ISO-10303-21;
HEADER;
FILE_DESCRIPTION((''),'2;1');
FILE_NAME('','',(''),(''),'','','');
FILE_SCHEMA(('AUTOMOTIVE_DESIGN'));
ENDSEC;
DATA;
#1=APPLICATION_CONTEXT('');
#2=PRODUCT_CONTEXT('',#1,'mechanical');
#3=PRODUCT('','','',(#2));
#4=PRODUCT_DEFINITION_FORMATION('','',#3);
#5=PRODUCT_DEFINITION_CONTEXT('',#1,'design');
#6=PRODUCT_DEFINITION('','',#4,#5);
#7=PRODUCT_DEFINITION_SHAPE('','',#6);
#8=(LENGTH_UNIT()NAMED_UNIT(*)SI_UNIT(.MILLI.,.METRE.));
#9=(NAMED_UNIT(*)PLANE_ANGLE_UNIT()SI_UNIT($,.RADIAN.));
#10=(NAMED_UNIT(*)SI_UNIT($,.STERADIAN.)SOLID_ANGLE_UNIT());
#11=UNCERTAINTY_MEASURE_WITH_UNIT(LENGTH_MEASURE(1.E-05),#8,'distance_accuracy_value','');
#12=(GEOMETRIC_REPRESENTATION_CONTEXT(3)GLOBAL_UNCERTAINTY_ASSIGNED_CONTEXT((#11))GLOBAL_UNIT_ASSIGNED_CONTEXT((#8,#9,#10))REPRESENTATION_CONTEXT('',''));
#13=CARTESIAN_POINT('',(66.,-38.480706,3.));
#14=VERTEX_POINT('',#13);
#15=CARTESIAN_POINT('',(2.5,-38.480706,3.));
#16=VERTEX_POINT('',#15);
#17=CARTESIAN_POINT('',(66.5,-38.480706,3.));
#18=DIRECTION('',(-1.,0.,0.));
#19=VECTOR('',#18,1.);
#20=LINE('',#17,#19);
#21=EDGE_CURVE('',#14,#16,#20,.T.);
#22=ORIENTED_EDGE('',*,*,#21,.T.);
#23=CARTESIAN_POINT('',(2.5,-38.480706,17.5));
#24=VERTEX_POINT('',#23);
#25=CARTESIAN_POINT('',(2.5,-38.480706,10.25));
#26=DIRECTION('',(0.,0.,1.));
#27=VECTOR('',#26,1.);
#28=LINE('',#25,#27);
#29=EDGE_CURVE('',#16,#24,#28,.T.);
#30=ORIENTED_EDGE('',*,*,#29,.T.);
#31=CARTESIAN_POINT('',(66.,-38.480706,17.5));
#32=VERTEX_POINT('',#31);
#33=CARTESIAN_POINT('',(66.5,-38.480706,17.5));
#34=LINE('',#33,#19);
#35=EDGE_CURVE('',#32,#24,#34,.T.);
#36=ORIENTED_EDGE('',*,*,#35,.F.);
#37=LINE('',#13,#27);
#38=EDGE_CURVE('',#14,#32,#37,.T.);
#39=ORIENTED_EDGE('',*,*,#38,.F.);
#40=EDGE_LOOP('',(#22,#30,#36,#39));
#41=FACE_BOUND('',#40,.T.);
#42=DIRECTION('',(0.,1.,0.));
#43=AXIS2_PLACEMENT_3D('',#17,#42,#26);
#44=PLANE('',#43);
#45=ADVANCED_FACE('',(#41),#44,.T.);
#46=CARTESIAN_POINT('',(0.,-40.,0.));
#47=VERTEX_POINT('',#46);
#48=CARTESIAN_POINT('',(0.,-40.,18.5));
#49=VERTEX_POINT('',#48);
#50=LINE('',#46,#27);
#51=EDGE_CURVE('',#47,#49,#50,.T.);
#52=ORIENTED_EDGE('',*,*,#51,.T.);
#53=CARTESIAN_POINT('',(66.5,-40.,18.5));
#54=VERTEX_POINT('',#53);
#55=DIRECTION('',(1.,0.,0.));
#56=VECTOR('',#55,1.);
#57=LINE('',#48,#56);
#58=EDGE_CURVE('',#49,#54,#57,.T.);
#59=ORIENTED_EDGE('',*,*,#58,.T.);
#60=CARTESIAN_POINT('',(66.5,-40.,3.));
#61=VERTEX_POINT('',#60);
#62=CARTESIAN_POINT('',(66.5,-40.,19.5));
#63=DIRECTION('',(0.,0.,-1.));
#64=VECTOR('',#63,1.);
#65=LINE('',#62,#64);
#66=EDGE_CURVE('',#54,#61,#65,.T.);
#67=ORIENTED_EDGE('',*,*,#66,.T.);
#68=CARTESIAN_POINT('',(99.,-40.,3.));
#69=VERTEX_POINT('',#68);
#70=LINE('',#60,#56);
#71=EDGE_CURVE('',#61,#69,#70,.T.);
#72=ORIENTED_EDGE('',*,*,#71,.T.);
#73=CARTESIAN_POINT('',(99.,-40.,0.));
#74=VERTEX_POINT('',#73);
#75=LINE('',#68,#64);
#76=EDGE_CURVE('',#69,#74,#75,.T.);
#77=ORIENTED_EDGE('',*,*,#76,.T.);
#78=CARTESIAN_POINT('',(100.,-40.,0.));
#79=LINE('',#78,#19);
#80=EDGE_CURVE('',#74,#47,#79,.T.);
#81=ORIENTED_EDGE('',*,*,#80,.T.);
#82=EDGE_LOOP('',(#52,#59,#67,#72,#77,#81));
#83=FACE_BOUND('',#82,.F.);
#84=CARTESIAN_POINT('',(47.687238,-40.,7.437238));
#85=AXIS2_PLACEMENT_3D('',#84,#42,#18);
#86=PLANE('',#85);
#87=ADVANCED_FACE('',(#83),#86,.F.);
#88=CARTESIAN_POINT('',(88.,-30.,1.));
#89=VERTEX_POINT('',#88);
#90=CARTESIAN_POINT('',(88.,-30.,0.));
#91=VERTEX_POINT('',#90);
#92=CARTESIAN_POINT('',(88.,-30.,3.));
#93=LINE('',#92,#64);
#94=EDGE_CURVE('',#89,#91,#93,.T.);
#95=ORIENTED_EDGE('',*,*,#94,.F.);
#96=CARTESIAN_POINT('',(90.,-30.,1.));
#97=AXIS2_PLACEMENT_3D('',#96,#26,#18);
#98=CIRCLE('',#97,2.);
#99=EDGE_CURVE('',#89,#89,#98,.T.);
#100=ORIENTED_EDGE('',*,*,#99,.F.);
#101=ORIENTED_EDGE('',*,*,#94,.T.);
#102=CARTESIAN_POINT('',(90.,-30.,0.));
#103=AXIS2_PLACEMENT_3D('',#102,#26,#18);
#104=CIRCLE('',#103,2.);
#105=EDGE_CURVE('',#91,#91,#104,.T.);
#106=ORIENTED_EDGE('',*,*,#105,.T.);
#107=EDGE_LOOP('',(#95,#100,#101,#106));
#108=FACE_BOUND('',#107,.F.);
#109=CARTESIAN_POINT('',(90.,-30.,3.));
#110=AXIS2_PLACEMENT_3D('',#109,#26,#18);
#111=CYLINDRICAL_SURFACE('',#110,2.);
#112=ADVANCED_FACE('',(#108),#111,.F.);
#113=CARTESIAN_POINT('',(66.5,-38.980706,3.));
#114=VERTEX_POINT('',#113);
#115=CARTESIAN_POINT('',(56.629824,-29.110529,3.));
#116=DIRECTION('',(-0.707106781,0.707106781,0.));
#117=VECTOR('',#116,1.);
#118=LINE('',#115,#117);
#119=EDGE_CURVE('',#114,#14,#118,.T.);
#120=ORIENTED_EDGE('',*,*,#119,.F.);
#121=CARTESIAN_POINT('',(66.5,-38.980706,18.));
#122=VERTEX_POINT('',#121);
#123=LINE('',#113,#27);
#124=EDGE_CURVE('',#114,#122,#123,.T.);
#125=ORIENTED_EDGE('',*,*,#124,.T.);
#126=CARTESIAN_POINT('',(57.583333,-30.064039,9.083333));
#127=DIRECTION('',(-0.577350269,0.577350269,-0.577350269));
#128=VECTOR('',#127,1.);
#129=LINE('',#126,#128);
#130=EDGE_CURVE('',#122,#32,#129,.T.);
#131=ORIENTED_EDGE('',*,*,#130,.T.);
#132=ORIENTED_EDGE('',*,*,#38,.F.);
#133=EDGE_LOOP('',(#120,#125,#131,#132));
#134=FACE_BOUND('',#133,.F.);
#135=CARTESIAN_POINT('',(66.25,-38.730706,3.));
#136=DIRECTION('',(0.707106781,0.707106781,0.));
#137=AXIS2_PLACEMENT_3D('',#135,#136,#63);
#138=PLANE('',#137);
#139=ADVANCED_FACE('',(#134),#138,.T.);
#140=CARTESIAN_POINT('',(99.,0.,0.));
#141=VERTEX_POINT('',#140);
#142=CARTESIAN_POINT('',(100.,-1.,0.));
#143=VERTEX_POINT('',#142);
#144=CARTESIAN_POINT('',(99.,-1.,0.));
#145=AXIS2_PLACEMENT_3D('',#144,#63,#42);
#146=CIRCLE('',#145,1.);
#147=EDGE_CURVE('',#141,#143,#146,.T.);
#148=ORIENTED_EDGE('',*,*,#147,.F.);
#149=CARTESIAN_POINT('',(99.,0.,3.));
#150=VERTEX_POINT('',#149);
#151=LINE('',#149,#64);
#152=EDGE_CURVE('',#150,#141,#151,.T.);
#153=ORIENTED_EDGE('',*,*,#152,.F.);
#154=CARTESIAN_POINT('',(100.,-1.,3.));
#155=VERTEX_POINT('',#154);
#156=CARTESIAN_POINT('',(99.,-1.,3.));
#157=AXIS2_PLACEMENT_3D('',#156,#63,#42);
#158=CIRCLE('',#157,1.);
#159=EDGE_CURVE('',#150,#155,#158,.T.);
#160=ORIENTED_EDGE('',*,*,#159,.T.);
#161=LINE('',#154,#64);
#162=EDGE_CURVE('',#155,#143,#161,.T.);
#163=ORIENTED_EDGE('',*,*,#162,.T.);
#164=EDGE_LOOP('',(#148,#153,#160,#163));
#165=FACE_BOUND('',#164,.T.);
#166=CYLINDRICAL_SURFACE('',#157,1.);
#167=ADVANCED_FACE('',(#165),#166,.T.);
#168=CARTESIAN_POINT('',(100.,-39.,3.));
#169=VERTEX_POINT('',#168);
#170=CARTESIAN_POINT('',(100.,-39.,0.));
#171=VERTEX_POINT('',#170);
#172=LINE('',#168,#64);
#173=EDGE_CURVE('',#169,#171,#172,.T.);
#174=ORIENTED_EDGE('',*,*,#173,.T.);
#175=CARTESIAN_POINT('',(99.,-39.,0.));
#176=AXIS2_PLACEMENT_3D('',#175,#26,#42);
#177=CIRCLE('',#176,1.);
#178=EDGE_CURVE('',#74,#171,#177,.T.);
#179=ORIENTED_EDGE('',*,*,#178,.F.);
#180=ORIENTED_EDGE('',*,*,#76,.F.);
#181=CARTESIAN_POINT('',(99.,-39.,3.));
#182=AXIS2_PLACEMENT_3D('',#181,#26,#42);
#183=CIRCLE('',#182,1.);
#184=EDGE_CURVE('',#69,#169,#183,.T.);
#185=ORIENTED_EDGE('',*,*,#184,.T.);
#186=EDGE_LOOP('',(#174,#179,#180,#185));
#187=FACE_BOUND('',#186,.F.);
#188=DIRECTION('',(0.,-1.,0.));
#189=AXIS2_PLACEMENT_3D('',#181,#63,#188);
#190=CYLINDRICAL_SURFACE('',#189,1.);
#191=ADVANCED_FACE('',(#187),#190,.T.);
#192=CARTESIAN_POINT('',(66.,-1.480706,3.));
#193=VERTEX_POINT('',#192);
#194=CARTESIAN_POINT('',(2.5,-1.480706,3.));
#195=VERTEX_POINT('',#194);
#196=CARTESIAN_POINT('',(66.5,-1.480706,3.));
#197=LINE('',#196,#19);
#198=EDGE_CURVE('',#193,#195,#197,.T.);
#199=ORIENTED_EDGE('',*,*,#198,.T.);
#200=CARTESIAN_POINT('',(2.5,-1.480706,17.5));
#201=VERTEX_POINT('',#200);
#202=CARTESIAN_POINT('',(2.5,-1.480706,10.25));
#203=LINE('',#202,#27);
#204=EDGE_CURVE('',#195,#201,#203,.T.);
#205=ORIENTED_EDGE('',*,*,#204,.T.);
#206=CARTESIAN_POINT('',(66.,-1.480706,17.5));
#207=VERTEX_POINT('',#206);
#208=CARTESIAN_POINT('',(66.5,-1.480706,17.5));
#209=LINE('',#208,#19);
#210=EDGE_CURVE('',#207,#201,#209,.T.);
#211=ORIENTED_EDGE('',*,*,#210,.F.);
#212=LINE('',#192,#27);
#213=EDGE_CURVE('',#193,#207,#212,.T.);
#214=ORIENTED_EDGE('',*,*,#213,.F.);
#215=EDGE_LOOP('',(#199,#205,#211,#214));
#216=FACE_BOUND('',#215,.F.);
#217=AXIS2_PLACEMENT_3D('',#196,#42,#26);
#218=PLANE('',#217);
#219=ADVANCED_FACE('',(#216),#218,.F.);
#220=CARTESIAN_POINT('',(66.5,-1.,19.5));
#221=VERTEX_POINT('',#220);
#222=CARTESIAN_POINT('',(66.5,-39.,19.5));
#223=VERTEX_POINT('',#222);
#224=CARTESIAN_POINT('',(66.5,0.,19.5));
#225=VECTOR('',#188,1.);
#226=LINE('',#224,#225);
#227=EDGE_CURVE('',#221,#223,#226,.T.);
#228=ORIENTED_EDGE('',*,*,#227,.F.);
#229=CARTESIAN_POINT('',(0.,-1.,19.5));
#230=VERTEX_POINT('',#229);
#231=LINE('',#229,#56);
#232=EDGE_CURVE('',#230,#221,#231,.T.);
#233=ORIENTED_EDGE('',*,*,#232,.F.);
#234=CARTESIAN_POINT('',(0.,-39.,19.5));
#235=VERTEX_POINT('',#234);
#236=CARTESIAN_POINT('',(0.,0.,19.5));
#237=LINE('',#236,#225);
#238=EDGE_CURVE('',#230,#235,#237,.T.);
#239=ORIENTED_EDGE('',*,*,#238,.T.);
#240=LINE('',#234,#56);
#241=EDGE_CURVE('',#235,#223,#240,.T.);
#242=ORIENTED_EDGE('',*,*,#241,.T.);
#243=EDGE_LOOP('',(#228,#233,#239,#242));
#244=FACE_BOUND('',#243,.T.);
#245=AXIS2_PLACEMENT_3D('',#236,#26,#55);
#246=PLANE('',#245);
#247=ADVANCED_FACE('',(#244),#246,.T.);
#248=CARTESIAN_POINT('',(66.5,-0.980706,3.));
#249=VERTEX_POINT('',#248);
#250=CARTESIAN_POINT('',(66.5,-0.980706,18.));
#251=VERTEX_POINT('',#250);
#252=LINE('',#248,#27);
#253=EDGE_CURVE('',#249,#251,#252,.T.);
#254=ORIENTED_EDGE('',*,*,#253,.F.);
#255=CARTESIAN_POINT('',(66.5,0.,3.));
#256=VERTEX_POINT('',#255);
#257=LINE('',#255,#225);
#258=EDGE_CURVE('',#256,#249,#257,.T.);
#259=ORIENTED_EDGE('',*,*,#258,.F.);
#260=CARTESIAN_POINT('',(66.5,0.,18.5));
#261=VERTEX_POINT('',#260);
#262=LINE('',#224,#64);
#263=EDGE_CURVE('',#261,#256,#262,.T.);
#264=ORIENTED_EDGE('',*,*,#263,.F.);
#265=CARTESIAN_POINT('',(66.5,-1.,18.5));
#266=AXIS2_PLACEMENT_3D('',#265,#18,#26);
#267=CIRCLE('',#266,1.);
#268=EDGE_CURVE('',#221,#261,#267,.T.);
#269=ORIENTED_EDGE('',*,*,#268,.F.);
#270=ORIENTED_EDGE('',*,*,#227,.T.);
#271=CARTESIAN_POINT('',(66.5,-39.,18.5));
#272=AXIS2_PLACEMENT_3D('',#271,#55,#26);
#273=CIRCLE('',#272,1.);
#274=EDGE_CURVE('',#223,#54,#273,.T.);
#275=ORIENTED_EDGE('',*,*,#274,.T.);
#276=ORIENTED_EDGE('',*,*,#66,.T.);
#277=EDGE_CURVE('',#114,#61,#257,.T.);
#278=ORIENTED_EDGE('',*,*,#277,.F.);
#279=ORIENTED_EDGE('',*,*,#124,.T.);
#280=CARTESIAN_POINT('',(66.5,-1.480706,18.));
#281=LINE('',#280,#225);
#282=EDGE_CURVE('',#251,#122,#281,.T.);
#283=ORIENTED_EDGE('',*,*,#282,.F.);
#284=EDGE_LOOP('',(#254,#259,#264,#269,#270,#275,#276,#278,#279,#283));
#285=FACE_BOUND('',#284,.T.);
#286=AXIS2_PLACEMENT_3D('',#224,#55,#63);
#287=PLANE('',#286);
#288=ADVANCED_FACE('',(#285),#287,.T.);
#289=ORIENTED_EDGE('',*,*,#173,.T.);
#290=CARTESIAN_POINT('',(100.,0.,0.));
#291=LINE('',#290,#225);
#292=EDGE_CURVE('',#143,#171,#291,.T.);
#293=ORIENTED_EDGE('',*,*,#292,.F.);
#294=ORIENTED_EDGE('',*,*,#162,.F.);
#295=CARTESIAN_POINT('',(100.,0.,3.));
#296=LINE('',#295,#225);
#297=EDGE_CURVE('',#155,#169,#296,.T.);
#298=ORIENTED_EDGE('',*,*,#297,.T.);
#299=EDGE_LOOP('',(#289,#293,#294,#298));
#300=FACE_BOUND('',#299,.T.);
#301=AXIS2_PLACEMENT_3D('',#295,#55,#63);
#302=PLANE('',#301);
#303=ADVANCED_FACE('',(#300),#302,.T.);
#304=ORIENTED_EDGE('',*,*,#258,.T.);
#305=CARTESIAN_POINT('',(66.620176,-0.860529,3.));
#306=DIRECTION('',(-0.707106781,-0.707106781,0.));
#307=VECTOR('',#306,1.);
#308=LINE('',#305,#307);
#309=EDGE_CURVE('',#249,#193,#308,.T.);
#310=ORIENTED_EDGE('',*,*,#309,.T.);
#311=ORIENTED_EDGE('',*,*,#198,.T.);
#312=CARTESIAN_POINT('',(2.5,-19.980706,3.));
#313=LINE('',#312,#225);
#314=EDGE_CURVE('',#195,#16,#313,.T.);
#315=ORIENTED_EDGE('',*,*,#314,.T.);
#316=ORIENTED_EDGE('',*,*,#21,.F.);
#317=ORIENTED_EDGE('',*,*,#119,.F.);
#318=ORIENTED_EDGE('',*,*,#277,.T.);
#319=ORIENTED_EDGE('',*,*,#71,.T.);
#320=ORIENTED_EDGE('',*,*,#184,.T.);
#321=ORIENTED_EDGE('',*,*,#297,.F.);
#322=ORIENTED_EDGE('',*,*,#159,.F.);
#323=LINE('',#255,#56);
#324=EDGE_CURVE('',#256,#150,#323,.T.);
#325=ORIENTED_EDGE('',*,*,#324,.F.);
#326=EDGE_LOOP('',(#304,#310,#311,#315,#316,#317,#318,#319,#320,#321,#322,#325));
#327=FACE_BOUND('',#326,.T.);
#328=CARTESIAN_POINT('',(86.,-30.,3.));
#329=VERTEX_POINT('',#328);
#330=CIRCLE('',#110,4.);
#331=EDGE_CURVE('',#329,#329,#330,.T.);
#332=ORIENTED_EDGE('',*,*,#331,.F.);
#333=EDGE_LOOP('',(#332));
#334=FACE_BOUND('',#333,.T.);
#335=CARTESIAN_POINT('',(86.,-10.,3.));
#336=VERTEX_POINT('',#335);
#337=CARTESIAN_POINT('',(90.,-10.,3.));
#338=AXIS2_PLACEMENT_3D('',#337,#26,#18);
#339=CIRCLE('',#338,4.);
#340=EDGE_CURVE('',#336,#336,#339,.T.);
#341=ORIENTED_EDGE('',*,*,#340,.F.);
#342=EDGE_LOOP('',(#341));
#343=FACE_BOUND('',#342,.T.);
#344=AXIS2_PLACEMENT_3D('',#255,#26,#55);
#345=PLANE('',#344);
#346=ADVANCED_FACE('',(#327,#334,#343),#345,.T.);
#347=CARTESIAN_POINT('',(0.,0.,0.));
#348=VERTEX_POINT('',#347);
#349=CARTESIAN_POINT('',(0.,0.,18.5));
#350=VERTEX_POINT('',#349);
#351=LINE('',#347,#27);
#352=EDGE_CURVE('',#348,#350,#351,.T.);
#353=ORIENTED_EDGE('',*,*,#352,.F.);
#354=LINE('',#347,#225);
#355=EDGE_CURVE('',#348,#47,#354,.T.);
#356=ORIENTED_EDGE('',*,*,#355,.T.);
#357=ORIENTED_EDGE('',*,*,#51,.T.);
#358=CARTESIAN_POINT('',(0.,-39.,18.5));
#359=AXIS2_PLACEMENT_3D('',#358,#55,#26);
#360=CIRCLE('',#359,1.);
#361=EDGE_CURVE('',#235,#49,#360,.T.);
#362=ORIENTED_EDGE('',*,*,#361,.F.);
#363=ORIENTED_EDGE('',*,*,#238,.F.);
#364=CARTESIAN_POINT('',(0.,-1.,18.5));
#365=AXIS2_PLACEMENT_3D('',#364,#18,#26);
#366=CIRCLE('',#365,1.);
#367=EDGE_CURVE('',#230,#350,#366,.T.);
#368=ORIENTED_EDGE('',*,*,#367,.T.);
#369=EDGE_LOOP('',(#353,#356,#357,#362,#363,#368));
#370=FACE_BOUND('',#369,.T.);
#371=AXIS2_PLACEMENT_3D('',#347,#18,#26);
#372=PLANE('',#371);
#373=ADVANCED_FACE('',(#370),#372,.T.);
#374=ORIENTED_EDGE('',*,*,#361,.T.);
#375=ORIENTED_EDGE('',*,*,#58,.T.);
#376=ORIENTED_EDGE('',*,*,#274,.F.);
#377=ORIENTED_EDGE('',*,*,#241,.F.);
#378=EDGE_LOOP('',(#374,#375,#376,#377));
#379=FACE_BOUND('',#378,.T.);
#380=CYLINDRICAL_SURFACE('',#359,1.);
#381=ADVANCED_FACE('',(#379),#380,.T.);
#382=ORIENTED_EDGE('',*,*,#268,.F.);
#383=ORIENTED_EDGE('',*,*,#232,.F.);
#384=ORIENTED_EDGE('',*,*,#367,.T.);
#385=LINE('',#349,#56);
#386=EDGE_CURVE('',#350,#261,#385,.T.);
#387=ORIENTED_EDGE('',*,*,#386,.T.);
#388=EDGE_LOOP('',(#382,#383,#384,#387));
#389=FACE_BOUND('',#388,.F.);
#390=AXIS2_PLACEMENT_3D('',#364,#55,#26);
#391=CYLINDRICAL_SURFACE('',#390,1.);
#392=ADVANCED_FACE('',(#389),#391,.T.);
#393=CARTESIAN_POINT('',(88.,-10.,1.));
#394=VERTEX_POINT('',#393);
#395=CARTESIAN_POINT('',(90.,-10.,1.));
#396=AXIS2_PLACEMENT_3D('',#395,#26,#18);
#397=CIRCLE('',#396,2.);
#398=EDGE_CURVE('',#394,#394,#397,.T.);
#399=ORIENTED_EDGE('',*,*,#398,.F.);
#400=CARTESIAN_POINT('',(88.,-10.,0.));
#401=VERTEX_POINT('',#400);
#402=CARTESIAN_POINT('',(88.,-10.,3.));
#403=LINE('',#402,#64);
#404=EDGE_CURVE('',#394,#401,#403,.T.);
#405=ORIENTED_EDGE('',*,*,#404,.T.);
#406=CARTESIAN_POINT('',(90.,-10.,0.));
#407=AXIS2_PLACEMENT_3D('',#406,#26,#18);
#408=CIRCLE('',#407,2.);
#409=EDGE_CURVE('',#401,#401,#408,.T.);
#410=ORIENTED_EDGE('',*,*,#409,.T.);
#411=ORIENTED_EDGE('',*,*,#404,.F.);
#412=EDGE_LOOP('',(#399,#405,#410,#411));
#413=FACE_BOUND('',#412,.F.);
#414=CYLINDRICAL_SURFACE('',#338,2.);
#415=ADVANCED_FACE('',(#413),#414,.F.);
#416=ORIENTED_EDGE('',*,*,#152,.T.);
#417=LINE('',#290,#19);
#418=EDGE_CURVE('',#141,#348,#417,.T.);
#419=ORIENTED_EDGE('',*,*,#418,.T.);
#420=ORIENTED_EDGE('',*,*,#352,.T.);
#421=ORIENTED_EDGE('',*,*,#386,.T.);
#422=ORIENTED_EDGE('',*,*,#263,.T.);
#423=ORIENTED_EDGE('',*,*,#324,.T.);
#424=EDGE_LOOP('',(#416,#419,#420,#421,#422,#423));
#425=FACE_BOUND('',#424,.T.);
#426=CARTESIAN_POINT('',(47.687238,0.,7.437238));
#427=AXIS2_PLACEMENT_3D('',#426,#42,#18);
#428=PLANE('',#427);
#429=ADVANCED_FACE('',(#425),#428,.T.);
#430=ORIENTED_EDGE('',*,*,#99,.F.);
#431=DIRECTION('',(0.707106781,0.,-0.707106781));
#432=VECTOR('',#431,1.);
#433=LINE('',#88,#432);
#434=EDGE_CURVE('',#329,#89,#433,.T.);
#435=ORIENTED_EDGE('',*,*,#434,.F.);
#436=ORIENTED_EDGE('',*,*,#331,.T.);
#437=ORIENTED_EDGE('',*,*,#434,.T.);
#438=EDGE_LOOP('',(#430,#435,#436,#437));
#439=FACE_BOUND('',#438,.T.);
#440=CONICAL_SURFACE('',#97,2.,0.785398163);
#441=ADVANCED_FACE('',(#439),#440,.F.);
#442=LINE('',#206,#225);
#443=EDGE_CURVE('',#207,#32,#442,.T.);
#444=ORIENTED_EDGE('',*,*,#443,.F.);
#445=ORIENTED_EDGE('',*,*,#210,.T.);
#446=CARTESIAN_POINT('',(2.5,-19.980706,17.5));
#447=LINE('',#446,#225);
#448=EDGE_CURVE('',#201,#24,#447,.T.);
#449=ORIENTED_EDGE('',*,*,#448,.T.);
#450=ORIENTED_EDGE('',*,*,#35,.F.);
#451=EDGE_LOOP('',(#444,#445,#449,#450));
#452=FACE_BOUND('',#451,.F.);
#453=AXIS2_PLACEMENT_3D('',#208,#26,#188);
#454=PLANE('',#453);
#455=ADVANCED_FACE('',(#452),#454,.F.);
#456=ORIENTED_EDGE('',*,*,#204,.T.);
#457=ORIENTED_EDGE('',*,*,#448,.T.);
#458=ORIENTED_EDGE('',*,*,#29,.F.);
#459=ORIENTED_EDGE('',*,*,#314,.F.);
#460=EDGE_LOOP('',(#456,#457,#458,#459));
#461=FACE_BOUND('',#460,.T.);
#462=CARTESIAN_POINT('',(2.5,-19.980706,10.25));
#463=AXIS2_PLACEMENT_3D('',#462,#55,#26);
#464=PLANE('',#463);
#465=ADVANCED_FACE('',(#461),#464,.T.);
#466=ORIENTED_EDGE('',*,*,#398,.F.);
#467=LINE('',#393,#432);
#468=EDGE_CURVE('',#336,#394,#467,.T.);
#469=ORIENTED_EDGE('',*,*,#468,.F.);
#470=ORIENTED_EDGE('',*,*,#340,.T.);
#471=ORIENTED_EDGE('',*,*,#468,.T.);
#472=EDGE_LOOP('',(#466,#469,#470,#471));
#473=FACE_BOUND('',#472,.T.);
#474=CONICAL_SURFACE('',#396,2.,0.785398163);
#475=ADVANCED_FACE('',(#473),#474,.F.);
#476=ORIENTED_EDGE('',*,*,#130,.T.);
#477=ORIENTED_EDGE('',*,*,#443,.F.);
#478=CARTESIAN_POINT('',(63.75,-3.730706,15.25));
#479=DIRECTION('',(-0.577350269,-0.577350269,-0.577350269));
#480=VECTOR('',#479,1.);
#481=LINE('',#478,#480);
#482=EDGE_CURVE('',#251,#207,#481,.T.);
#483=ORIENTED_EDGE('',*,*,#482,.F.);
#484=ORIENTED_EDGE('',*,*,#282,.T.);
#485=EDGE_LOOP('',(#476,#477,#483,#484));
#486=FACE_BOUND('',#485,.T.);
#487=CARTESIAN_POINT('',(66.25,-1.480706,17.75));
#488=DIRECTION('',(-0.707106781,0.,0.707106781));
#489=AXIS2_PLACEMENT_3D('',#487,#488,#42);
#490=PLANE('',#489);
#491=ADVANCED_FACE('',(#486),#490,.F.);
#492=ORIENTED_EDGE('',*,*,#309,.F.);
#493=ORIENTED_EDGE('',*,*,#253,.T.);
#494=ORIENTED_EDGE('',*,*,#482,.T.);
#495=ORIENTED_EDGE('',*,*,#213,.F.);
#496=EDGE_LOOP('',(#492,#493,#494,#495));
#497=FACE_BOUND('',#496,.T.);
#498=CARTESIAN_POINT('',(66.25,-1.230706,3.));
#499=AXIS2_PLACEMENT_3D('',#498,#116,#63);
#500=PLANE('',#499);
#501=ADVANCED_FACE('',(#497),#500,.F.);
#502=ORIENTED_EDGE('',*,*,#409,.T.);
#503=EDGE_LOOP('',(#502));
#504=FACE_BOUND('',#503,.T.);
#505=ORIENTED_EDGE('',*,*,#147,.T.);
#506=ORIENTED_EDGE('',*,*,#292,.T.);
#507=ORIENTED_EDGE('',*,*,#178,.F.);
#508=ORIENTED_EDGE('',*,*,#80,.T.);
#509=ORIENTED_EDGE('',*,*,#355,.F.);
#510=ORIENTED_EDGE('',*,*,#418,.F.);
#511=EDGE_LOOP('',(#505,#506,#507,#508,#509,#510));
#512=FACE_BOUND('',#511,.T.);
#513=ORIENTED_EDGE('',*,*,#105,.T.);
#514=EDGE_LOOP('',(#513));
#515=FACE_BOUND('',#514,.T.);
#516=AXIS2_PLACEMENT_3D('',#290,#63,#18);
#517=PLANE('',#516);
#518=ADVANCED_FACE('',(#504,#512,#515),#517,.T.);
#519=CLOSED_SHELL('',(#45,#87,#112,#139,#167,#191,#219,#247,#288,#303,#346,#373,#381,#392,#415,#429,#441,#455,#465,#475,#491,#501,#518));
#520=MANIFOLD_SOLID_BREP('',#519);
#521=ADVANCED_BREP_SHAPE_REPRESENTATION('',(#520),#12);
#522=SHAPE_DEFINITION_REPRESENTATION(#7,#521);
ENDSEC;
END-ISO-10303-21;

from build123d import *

# Parameters (mm, degrees)
PAD_DEPTH       = 40
SKETCH001_W     = 14.5
SKETCH001_H     = 37
POCKET_DEPTH    = 64
SKETCH002_R     = 2
POCKET001_DEPTH = 5
FILLET_R        = 1
FILLET001_R     = 1
CHAMFER_SIZE    = 0.5
CHAMFER001_SIZE = 2


with BuildPart() as part:
    # Sketch → Pad (new body)
    with BuildSketch(Plane.XZ):
        Polygon((0, 0), (0, 19.5), (66.5, 19.5), (66.5, 3), (100, 3), (100, 0), align=None)
    extrude(amount=PAD_DEPTH)

    # Sketch001 (on Face3 of Pad) → Pocket (cut)
    with BuildSketch(Plane(origin=(66.5, 0, 0), x_dir=(0, 0, 1), z_dir=(1, 0, 0))):
        with Locations((10.25, 19.980706)):
            Rectangle(SKETCH001_W, SKETCH001_H)
    extrude(amount=-POCKET_DEPTH, mode=Mode.SUBTRACT)

    # Sketch002 (on Face12 of Pocket) → Pocket001 (cut)
    with BuildSketch(Plane(origin=(0, 0, 3), x_dir=(-1, 0, 0), z_dir=(0, 0, 1))):
        with Locations((-90, 30)):
            Circle(SKETCH002_R)
        with Locations((-90, 10)):
            Circle(SKETCH002_R)
    extrude(amount=-POCKET001_DEPTH, mode=Mode.SUBTRACT)

    # Fillet
    fillet_edges = [part.edges().sort_by_distance(p)[0] for p in [
        (33.25, 0, 19.5),
        (33.25, -40, 19.5),
    ]]
    fillet(fillet_edges, radius=FILLET_R)

    # Fillet001
    fillet001_edges = [part.edges().sort_by_distance(p)[0] for p in [
        (100, 0, 1.5),
        (100, -40, 1.5),
    ]]
    fillet(fillet001_edges, radius=FILLET001_R)

    # Chamfer
    chamfer_edges = [part.edges().sort_by_distance(p)[0] for p in [
        (66.5, -38.480706, 10.25),
        (66.5, -19.980706, 17.5),
        (66.5, -1.480706, 10.25),
    ]]
    chamfer(chamfer_edges, length=CHAMFER_SIZE)

    # Chamfer001
    chamfer001_edges = [part.edges().sort_by_distance(p)[0] for p in [
        (92, -10, 3),
        (92, -30, 3),
    ]]
    chamfer(chamfer001_edges, length=CHAMFER001_SIZE)


solid = part.part
